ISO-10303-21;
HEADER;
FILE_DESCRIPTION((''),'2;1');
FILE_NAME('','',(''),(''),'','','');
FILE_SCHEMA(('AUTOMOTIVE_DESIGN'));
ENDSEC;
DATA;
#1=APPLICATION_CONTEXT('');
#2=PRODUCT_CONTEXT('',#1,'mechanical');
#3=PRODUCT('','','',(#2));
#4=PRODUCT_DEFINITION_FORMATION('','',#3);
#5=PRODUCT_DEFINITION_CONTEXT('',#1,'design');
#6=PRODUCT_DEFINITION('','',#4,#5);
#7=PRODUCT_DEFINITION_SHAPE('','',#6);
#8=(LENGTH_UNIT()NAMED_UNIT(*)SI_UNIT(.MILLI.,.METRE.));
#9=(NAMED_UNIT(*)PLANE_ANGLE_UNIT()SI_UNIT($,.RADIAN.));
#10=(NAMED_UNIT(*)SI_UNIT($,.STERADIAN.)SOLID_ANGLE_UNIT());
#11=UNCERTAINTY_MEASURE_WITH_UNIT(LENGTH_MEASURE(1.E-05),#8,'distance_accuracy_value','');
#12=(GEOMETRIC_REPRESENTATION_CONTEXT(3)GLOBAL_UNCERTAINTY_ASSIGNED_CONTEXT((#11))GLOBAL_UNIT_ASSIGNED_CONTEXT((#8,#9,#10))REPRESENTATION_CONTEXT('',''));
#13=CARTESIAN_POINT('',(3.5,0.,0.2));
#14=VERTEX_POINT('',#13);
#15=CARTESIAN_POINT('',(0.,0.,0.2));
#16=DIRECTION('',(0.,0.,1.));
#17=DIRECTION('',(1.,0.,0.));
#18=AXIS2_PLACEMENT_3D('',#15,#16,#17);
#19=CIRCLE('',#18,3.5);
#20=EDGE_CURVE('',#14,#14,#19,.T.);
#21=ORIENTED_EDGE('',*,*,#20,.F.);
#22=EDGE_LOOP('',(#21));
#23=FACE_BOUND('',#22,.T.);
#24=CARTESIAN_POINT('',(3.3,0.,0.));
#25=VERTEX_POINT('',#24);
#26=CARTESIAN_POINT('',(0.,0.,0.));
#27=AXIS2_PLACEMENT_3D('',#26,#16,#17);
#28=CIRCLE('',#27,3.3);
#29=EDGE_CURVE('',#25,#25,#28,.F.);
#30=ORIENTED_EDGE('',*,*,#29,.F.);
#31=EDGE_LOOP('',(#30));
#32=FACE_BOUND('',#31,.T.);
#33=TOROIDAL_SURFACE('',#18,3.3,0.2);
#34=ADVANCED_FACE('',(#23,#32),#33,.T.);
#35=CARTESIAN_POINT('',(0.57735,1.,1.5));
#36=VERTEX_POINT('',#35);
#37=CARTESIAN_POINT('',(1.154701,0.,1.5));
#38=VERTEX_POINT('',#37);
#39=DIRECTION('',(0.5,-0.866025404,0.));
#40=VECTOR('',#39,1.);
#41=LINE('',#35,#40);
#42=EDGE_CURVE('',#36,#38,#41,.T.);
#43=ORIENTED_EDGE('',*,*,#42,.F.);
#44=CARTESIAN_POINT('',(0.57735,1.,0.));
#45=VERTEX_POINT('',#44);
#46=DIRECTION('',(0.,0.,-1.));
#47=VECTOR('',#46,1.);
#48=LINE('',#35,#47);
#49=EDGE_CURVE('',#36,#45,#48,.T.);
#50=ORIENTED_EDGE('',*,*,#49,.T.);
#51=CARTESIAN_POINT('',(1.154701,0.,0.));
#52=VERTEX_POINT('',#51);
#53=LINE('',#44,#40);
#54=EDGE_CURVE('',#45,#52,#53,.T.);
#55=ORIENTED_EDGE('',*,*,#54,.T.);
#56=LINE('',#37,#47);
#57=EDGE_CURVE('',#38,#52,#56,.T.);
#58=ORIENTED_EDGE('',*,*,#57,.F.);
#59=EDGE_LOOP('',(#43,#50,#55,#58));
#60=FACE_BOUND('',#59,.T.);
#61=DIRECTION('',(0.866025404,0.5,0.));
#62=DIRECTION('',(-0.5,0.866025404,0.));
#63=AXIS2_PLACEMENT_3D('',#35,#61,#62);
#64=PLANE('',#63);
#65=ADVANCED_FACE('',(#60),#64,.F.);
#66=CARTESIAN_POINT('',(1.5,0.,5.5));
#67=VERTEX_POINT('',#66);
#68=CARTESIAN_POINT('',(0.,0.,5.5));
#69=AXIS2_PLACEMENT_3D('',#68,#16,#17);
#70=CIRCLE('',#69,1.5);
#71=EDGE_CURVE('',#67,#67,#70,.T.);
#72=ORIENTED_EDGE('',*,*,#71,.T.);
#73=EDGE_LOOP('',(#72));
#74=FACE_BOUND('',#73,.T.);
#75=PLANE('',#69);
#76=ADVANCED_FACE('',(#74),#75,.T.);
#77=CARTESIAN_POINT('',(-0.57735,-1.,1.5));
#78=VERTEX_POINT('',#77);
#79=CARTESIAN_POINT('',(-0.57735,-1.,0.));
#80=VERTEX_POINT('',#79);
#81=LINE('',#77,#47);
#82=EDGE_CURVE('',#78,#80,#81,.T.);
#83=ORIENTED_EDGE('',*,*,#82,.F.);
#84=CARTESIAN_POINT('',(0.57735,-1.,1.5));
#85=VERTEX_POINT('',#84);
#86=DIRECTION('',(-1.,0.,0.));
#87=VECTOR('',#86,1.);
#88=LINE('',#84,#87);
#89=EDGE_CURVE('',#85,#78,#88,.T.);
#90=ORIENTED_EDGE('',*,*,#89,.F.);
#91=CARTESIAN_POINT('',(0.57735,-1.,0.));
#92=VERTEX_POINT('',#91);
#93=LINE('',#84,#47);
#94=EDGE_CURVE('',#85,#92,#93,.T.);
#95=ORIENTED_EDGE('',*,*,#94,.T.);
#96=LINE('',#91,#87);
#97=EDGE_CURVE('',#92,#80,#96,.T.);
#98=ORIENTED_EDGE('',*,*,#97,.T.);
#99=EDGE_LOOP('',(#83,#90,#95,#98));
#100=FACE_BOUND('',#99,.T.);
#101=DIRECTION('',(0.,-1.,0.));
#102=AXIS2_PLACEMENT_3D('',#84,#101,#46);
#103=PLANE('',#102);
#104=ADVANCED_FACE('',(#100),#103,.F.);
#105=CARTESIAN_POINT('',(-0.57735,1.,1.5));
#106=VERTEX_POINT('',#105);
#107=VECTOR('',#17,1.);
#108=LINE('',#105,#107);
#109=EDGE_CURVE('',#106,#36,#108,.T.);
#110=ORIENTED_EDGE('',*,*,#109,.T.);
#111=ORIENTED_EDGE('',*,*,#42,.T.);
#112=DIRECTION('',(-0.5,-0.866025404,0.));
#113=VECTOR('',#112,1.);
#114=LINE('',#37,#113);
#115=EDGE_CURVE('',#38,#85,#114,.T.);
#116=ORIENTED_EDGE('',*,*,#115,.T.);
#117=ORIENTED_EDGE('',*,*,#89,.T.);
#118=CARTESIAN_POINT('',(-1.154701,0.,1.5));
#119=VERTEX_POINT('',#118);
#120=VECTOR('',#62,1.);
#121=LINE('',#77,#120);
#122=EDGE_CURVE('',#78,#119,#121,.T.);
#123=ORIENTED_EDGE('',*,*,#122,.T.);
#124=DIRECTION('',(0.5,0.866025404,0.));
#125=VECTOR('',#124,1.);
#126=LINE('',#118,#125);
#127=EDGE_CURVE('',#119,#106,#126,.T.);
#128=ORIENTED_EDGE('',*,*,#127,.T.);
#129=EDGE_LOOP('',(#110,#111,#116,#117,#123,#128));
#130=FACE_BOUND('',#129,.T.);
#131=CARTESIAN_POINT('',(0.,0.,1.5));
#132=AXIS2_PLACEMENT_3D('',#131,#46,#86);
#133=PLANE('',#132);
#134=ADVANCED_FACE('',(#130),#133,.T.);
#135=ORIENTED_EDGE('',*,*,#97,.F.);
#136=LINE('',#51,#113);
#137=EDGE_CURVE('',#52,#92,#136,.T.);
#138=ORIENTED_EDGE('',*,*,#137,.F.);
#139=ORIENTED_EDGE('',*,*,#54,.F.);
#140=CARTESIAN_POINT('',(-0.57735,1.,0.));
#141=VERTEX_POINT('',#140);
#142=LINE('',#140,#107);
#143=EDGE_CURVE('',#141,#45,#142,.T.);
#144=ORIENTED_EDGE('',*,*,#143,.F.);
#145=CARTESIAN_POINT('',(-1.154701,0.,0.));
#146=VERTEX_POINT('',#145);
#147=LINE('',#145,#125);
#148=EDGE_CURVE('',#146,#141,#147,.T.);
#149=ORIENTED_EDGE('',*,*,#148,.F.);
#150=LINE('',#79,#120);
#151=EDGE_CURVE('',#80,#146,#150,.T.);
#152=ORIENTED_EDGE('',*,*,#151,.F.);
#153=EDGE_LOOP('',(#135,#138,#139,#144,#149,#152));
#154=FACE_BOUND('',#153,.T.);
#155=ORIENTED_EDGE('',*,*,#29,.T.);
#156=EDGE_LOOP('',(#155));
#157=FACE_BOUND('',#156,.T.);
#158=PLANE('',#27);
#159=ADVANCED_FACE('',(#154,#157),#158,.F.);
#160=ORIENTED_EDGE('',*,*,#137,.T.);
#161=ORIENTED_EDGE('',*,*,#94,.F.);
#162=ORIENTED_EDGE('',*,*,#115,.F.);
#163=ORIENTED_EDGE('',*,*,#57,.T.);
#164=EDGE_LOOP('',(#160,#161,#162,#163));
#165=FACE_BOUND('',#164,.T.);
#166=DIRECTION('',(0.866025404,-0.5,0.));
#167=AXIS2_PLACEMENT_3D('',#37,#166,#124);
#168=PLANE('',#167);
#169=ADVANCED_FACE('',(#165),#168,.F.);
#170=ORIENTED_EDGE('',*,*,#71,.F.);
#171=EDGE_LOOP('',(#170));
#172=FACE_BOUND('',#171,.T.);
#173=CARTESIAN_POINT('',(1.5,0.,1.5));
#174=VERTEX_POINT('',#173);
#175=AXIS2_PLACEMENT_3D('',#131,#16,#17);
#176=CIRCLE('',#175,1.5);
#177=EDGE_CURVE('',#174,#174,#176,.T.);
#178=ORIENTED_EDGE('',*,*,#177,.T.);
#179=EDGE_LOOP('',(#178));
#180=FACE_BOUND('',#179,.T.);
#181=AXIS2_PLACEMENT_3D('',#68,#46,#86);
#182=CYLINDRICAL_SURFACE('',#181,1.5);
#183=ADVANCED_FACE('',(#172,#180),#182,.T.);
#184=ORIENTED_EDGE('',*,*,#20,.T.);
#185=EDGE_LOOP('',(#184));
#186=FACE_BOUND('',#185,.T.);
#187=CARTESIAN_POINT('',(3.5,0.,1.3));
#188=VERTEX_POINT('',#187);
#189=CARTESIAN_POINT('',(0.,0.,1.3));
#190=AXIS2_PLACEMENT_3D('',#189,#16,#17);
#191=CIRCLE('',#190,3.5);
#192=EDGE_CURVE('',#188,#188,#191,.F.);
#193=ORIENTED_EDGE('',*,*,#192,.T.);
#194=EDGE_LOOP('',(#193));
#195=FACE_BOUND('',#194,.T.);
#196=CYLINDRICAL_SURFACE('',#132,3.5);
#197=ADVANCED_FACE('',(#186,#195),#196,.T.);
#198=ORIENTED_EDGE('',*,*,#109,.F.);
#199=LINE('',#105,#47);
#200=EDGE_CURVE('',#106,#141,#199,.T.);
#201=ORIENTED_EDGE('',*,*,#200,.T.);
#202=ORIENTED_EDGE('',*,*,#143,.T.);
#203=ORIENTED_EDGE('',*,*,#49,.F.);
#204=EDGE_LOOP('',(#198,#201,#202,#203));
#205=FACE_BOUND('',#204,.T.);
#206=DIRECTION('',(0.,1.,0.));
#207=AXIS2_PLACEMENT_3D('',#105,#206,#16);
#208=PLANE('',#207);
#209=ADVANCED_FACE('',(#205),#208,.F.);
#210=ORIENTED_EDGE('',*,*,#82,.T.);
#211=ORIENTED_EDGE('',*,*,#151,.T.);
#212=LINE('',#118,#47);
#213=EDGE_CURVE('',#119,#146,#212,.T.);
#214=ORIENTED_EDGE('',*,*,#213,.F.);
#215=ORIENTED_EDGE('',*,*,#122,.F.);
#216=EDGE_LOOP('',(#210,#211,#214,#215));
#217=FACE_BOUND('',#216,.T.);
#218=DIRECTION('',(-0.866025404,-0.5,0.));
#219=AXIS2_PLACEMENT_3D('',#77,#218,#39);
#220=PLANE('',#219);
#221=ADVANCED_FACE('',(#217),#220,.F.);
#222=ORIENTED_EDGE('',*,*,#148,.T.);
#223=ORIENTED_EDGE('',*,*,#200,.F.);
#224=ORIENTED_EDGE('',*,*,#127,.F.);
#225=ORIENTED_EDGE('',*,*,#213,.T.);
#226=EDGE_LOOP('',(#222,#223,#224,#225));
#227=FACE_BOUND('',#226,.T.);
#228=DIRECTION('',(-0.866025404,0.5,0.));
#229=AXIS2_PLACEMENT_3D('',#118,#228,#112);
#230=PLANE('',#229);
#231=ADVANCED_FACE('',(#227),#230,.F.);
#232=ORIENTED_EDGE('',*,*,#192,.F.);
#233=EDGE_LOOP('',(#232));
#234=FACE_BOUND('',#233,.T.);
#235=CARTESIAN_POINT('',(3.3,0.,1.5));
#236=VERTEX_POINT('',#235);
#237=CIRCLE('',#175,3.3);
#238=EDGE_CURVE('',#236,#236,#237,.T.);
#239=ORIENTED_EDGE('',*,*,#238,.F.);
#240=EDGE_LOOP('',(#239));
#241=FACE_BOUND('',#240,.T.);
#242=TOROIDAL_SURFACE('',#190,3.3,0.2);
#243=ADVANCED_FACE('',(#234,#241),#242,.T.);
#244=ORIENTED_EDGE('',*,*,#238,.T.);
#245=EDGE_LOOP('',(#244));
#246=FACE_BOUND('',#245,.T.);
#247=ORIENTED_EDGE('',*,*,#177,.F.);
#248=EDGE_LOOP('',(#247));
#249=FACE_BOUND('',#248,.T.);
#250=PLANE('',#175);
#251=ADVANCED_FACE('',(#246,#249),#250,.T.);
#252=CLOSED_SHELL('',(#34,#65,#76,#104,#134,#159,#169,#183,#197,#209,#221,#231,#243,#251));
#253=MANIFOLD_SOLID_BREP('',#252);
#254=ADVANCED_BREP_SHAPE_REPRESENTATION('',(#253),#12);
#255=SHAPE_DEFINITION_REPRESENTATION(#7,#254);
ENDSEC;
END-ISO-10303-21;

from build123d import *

# Parameters (mm, degrees)
SKETCH_1_R          = 3.5
EXTRUDE_1_DEPTH     = 1.5
SKETCH_2_R          = 1.5
EXTRUDE_2_DEPTH     = 4
FILLET_1_R          = 0.2
CUT_EXTRUDE_1_DEPTH = 1.5


with BuildPart() as part:
    # 草图1 → 凸台-拉伸1 (new body)
    with BuildSketch(Plane.XY):
        Circle(SKETCH_1_R)
    extrude(amount=EXTRUDE_1_DEPTH)

    # 草图2 → 凸台-拉伸2 (add)
    with BuildSketch(Plane.XY.offset(1.5)):
        Circle(SKETCH_2_R)
    extrude(amount=EXTRUDE_2_DEPTH)

    # 圆角1
    fillet_1_edges = [part.edges().sort_by_distance(p)[0] for p in [
        (-3.5, 0, 0),
        (-3.5, 0, 1.5),
    ]]
    fillet(fillet_1_edges, radius=FILLET_1_R)

    # 草图3 → 切除-拉伸1 (cut)
    with BuildSketch(Plane(origin=(0, 0, 0), x_dir=(-1, 0, 0), z_dir=(0, 0, -1))):
        Polygon((1.154700538, 0), (0.577350269, 1), (-0.577350269, 1), (-1.154700538, 0), (-0.577350269, -1), (0.577350269, -1), align=None)
    extrude(amount=-CUT_EXTRUDE_1_DEPTH, mode=Mode.SUBTRACT)


solid = part.part
